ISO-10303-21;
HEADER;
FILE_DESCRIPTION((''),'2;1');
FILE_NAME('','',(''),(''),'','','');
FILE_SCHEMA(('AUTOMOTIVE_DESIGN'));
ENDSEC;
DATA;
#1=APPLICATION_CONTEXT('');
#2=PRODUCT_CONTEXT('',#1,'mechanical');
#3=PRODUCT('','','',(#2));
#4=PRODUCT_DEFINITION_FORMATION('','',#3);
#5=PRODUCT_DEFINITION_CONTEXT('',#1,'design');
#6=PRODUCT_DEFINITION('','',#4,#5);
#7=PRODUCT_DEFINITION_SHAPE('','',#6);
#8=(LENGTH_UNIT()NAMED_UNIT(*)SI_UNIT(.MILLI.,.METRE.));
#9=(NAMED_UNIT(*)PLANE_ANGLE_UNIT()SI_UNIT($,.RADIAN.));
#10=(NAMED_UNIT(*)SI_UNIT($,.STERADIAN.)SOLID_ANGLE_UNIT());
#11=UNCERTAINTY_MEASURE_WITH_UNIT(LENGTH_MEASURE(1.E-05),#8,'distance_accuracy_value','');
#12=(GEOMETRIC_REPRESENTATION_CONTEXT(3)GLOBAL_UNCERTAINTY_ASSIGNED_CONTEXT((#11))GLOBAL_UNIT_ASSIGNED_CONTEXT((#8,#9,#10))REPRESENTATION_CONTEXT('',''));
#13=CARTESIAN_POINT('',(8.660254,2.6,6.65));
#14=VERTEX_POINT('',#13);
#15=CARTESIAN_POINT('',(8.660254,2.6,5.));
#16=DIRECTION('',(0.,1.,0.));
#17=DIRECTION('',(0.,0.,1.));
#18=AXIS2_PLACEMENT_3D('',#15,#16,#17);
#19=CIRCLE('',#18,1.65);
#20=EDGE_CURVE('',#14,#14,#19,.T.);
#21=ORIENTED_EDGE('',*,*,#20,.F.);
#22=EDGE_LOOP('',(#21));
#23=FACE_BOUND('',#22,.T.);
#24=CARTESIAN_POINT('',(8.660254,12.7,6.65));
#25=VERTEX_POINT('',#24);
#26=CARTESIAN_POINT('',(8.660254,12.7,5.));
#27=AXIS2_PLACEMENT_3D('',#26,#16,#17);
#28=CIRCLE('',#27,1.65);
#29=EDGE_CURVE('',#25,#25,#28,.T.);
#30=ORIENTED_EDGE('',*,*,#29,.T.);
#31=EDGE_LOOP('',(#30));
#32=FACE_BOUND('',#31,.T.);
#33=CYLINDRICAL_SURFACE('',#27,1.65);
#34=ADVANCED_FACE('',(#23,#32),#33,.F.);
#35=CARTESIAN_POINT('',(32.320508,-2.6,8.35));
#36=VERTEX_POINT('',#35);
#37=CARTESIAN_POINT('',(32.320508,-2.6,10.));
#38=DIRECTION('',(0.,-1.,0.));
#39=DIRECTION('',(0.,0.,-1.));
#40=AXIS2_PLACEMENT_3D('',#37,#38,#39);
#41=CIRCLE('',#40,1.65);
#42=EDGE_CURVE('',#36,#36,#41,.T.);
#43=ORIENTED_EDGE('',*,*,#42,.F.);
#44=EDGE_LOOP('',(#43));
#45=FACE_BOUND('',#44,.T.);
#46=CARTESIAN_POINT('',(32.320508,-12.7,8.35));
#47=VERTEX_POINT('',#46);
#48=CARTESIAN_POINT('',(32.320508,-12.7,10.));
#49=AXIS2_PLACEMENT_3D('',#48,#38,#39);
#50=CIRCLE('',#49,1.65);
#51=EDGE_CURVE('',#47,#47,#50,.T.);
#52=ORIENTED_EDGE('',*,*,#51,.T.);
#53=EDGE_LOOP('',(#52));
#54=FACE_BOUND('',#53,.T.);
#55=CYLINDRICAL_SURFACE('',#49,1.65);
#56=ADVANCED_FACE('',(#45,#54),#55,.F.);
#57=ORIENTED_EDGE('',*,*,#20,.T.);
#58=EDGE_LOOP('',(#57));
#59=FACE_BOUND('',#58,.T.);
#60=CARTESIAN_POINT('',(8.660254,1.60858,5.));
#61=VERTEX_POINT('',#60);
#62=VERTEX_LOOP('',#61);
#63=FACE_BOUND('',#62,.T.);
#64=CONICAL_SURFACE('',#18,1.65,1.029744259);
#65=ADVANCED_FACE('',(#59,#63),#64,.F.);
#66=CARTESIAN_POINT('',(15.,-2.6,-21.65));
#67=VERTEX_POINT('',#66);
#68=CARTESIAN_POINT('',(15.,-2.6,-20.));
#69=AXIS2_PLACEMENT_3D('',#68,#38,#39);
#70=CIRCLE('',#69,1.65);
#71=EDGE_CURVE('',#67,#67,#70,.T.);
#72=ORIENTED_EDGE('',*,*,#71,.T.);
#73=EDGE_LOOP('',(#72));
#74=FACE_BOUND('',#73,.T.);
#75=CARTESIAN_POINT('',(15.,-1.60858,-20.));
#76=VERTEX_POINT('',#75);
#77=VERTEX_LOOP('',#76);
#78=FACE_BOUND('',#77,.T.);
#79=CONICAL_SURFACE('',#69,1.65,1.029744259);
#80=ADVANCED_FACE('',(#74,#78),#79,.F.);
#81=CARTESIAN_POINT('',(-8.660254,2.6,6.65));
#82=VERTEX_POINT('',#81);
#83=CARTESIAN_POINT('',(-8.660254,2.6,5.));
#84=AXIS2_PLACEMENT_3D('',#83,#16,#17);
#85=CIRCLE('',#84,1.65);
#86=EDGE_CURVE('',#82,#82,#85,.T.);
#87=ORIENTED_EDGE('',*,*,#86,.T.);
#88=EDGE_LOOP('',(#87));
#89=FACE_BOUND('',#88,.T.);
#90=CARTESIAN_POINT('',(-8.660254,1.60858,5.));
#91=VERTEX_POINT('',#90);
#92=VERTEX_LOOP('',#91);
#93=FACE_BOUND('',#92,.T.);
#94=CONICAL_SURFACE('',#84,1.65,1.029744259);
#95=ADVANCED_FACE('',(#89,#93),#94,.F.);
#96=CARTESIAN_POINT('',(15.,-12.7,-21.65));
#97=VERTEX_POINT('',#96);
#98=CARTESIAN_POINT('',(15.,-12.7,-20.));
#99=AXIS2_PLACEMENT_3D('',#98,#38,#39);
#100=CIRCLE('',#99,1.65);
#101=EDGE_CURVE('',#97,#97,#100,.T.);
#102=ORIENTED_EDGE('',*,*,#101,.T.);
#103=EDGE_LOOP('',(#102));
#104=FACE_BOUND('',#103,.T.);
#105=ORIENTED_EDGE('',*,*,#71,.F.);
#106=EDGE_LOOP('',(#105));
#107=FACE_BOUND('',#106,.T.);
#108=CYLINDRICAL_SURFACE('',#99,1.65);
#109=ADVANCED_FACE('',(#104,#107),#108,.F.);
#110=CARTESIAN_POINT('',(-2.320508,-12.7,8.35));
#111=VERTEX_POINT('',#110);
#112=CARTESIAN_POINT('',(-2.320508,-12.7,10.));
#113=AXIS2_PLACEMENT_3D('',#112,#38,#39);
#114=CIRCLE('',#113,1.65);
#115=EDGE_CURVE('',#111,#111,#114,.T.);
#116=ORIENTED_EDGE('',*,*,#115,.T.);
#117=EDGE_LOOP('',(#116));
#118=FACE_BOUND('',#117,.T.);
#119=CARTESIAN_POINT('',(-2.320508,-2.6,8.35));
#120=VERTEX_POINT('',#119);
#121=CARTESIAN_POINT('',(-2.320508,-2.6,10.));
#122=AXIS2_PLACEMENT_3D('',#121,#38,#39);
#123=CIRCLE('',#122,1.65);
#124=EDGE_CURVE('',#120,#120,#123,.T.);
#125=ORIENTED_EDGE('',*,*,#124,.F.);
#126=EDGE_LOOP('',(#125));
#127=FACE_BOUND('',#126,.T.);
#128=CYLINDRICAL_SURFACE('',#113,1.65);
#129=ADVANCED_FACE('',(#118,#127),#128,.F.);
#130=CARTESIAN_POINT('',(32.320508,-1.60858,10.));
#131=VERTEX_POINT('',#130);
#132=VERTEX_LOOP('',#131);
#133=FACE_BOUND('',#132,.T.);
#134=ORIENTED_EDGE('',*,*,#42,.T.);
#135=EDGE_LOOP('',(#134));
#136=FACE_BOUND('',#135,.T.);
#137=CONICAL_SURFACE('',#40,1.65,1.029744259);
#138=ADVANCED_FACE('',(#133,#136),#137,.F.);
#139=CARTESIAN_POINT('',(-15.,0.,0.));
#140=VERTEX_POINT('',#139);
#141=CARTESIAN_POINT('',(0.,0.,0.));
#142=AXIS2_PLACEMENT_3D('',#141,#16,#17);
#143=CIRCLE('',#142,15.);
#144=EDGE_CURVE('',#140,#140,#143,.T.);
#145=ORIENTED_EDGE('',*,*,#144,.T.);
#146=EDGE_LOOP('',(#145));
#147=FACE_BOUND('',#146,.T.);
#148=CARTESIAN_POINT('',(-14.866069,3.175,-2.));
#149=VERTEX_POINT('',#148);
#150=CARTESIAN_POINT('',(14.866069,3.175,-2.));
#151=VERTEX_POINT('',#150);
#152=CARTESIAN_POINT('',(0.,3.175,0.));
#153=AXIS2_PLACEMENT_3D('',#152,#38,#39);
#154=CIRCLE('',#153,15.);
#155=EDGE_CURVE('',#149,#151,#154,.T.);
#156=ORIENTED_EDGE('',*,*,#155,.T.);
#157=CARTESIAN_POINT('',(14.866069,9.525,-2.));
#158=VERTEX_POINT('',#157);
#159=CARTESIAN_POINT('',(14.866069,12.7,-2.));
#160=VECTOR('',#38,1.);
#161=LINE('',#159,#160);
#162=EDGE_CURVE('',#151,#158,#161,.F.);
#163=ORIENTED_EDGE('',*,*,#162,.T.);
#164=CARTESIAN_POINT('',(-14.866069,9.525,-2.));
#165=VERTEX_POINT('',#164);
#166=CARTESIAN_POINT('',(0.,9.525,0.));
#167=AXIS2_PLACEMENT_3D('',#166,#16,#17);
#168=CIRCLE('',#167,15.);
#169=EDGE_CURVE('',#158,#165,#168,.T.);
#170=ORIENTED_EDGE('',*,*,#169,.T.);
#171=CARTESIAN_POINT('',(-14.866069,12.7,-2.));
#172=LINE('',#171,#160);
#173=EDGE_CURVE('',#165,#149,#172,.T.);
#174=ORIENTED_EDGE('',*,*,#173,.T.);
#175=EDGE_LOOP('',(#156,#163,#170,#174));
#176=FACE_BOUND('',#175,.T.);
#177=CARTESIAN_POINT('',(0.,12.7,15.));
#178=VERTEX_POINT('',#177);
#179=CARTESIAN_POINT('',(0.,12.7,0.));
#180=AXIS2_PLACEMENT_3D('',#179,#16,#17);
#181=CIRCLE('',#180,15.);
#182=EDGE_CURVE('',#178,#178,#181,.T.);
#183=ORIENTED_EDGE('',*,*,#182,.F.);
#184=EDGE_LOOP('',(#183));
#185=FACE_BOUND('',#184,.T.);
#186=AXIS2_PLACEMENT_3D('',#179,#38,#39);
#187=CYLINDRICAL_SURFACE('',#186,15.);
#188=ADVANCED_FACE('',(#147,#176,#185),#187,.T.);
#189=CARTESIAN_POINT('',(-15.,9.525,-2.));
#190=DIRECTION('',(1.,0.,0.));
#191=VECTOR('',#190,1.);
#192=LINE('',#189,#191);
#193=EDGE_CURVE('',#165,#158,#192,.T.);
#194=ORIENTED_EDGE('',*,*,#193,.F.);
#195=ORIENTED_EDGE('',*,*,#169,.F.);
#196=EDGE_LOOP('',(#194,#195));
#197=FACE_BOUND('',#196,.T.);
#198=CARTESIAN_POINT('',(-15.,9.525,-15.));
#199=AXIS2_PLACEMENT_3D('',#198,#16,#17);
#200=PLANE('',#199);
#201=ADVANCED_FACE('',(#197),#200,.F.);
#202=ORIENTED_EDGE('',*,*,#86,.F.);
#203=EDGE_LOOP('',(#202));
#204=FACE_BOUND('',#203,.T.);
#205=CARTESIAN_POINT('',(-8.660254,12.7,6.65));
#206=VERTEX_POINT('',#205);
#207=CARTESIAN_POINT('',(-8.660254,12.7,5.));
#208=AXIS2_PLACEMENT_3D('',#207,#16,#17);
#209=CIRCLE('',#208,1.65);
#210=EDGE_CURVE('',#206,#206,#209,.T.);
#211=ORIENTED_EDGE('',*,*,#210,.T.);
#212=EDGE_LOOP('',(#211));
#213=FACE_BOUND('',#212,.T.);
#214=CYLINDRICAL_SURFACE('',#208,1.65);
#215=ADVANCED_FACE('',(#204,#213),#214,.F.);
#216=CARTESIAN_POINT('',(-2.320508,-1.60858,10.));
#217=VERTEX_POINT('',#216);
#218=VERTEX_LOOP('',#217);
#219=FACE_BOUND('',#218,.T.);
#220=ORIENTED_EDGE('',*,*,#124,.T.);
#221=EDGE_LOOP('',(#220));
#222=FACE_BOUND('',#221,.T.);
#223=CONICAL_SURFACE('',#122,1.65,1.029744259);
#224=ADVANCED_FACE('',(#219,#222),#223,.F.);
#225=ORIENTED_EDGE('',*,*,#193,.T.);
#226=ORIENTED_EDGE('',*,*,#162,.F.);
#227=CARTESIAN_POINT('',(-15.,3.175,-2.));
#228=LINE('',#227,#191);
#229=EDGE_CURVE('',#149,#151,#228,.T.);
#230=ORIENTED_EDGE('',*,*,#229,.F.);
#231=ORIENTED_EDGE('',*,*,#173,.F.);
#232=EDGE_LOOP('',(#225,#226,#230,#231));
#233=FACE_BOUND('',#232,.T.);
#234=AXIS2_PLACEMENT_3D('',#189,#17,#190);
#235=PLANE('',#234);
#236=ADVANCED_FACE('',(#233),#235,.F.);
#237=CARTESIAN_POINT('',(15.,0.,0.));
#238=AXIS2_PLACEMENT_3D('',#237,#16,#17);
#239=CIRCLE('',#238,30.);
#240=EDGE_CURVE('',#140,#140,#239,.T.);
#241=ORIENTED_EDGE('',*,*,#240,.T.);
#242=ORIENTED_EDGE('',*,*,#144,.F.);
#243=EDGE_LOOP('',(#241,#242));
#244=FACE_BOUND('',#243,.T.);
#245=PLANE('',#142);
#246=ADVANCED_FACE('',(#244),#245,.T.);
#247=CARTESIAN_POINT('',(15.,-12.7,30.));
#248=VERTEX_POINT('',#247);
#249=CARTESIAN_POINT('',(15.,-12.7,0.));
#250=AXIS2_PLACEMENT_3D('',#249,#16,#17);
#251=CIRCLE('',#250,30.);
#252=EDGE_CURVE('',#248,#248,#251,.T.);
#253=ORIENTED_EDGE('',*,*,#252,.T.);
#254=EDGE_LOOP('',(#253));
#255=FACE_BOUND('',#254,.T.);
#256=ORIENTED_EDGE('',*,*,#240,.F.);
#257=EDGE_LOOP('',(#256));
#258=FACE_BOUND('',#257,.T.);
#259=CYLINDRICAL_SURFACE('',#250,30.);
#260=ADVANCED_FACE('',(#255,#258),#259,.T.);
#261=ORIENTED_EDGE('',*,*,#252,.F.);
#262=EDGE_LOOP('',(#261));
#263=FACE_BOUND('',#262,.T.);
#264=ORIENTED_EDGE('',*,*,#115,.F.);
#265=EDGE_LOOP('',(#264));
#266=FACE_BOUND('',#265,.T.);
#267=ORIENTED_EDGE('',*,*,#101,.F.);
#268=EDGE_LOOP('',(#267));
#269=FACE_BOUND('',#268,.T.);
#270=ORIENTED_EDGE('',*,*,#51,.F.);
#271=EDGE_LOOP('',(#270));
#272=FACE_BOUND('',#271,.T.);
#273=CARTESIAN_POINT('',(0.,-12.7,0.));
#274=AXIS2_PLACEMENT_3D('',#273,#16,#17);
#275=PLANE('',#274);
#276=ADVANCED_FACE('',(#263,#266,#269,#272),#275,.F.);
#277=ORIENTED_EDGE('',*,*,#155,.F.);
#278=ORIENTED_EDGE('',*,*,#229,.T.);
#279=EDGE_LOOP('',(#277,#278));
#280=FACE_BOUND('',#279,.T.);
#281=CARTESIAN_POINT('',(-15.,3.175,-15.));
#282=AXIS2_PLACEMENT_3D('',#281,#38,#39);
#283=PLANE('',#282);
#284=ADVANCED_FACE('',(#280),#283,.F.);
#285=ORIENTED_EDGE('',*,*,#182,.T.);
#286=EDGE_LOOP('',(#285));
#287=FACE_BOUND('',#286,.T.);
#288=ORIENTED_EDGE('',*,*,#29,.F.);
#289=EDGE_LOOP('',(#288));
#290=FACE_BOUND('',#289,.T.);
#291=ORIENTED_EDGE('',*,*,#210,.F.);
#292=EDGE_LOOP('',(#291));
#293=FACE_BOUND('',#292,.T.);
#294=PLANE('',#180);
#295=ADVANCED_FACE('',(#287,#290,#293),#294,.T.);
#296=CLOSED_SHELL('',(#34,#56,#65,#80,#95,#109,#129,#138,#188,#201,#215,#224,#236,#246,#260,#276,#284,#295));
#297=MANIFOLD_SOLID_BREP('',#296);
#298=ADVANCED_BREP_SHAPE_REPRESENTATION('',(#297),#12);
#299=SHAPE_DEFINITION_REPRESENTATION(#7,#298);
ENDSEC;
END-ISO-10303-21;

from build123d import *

# Parameters (mm, degrees)
BOSS_EXTRUDE1_DEPTH       = 12.7
SKETCH1_3_R               = 30
BOSS_EXTRUDE2_DEPTH       = 12.7
CUT_EXTRUDE1_DEPTH        = 56.554387766
CUT_EXTRUDE1_DEPTH_BACK   = 56.554387766
SKETCH2_W                 = 13
SKETCH2_H                 = 6.35
M4X0_7_TAPPED_HOLE1_D     = 3.3
M4X0_7_TAPPED_HOLE1_DEPTH = 10.1
M4X0_7_TAPPED_HOLE1_TIP   = 0.991420021
M4X0_7_TAPPED_HOLE2_D     = 3.3
M4X0_7_TAPPED_HOLE2_DEPTH = 10.1
M4X0_7_TAPPED_HOLE2_TIP   = 0.991420021


with BuildPart() as part:
    # Sketch1 → Boss-Extrude1 (new body)
    with BuildSketch(Plane(origin=(0, 0, 0), x_dir=(1, 0, 0), z_dir=(0, 1, 0))):
        with BuildLine():
            ThreePointArc((-15, -5.7e-08), (2.9e-08, -15), (15, 0))
            ThreePointArc((15, 0), (-2.9e-08, 15), (-15, -5.7e-08))
        make_face()
    extrude(amount=BOSS_EXTRUDE1_DEPTH)

    # Sketch1<3> → Boss-Extrude2 (add)
    with BuildSketch(Plane(origin=(0, 0, 0), x_dir=(1, 0, 0), z_dir=(0, 1, 0))):
        with Locations((15, 0)):
            Circle(SKETCH1_3_R)
    extrude(amount=-BOSS_EXTRUDE2_DEPTH)

    # Sketch2 → Cut-Extrude1 (cut, two sides: drawn at the far end of the back side and taken through both)
    with BuildSketch(Plane(origin=(0, 0, 0), x_dir=(0, 0, -1), z_dir=(1, 0, 0)).offset(-CUT_EXTRUDE1_DEPTH_BACK)):
        with Locations((8.5, 6.35)):
            Rectangle(SKETCH2_W, SKETCH2_H)
    extrude(amount=CUT_EXTRUDE1_DEPTH + CUT_EXTRUDE1_DEPTH_BACK, mode=Mode.SUBTRACT)

    # M4x0.7 Tapped Hole1
    with Locations(Plane(origin=(0, 12.7, 0), x_dir=(1, 0, 0), z_dir=(0, 1, 0))):
        with Locations((8.660254038, -5), (-8.660254038, -5)):
            Hole(M4X0_7_TAPPED_HOLE1_D / 2, depth=M4X0_7_TAPPED_HOLE1_DEPTH)
            with Locations((0, 0, -(M4X0_7_TAPPED_HOLE1_DEPTH + M4X0_7_TAPPED_HOLE1_TIP / 2))):  # 118° drill point
                Cone(0, M4X0_7_TAPPED_HOLE1_D / 2, M4X0_7_TAPPED_HOLE1_TIP, mode=Mode.SUBTRACT)

    # M4x0.7 Tapped Hole2
    with Locations(Plane(origin=(0, -12.7, 0), x_dir=(-1, 0, 0), z_dir=(0, -1, 0))):
        with Locations((-15, 20), (-32.320508076, -10), (2.320508076, -10)):
            Hole(M4X0_7_TAPPED_HOLE2_D / 2, depth=M4X0_7_TAPPED_HOLE2_DEPTH)
            with Locations((0, 0, -(M4X0_7_TAPPED_HOLE2_DEPTH + M4X0_7_TAPPED_HOLE2_TIP / 2))):  # 118° drill point
                Cone(0, M4X0_7_TAPPED_HOLE2_D / 2, M4X0_7_TAPPED_HOLE2_TIP, mode=Mode.SUBTRACT)


solid = part.part
